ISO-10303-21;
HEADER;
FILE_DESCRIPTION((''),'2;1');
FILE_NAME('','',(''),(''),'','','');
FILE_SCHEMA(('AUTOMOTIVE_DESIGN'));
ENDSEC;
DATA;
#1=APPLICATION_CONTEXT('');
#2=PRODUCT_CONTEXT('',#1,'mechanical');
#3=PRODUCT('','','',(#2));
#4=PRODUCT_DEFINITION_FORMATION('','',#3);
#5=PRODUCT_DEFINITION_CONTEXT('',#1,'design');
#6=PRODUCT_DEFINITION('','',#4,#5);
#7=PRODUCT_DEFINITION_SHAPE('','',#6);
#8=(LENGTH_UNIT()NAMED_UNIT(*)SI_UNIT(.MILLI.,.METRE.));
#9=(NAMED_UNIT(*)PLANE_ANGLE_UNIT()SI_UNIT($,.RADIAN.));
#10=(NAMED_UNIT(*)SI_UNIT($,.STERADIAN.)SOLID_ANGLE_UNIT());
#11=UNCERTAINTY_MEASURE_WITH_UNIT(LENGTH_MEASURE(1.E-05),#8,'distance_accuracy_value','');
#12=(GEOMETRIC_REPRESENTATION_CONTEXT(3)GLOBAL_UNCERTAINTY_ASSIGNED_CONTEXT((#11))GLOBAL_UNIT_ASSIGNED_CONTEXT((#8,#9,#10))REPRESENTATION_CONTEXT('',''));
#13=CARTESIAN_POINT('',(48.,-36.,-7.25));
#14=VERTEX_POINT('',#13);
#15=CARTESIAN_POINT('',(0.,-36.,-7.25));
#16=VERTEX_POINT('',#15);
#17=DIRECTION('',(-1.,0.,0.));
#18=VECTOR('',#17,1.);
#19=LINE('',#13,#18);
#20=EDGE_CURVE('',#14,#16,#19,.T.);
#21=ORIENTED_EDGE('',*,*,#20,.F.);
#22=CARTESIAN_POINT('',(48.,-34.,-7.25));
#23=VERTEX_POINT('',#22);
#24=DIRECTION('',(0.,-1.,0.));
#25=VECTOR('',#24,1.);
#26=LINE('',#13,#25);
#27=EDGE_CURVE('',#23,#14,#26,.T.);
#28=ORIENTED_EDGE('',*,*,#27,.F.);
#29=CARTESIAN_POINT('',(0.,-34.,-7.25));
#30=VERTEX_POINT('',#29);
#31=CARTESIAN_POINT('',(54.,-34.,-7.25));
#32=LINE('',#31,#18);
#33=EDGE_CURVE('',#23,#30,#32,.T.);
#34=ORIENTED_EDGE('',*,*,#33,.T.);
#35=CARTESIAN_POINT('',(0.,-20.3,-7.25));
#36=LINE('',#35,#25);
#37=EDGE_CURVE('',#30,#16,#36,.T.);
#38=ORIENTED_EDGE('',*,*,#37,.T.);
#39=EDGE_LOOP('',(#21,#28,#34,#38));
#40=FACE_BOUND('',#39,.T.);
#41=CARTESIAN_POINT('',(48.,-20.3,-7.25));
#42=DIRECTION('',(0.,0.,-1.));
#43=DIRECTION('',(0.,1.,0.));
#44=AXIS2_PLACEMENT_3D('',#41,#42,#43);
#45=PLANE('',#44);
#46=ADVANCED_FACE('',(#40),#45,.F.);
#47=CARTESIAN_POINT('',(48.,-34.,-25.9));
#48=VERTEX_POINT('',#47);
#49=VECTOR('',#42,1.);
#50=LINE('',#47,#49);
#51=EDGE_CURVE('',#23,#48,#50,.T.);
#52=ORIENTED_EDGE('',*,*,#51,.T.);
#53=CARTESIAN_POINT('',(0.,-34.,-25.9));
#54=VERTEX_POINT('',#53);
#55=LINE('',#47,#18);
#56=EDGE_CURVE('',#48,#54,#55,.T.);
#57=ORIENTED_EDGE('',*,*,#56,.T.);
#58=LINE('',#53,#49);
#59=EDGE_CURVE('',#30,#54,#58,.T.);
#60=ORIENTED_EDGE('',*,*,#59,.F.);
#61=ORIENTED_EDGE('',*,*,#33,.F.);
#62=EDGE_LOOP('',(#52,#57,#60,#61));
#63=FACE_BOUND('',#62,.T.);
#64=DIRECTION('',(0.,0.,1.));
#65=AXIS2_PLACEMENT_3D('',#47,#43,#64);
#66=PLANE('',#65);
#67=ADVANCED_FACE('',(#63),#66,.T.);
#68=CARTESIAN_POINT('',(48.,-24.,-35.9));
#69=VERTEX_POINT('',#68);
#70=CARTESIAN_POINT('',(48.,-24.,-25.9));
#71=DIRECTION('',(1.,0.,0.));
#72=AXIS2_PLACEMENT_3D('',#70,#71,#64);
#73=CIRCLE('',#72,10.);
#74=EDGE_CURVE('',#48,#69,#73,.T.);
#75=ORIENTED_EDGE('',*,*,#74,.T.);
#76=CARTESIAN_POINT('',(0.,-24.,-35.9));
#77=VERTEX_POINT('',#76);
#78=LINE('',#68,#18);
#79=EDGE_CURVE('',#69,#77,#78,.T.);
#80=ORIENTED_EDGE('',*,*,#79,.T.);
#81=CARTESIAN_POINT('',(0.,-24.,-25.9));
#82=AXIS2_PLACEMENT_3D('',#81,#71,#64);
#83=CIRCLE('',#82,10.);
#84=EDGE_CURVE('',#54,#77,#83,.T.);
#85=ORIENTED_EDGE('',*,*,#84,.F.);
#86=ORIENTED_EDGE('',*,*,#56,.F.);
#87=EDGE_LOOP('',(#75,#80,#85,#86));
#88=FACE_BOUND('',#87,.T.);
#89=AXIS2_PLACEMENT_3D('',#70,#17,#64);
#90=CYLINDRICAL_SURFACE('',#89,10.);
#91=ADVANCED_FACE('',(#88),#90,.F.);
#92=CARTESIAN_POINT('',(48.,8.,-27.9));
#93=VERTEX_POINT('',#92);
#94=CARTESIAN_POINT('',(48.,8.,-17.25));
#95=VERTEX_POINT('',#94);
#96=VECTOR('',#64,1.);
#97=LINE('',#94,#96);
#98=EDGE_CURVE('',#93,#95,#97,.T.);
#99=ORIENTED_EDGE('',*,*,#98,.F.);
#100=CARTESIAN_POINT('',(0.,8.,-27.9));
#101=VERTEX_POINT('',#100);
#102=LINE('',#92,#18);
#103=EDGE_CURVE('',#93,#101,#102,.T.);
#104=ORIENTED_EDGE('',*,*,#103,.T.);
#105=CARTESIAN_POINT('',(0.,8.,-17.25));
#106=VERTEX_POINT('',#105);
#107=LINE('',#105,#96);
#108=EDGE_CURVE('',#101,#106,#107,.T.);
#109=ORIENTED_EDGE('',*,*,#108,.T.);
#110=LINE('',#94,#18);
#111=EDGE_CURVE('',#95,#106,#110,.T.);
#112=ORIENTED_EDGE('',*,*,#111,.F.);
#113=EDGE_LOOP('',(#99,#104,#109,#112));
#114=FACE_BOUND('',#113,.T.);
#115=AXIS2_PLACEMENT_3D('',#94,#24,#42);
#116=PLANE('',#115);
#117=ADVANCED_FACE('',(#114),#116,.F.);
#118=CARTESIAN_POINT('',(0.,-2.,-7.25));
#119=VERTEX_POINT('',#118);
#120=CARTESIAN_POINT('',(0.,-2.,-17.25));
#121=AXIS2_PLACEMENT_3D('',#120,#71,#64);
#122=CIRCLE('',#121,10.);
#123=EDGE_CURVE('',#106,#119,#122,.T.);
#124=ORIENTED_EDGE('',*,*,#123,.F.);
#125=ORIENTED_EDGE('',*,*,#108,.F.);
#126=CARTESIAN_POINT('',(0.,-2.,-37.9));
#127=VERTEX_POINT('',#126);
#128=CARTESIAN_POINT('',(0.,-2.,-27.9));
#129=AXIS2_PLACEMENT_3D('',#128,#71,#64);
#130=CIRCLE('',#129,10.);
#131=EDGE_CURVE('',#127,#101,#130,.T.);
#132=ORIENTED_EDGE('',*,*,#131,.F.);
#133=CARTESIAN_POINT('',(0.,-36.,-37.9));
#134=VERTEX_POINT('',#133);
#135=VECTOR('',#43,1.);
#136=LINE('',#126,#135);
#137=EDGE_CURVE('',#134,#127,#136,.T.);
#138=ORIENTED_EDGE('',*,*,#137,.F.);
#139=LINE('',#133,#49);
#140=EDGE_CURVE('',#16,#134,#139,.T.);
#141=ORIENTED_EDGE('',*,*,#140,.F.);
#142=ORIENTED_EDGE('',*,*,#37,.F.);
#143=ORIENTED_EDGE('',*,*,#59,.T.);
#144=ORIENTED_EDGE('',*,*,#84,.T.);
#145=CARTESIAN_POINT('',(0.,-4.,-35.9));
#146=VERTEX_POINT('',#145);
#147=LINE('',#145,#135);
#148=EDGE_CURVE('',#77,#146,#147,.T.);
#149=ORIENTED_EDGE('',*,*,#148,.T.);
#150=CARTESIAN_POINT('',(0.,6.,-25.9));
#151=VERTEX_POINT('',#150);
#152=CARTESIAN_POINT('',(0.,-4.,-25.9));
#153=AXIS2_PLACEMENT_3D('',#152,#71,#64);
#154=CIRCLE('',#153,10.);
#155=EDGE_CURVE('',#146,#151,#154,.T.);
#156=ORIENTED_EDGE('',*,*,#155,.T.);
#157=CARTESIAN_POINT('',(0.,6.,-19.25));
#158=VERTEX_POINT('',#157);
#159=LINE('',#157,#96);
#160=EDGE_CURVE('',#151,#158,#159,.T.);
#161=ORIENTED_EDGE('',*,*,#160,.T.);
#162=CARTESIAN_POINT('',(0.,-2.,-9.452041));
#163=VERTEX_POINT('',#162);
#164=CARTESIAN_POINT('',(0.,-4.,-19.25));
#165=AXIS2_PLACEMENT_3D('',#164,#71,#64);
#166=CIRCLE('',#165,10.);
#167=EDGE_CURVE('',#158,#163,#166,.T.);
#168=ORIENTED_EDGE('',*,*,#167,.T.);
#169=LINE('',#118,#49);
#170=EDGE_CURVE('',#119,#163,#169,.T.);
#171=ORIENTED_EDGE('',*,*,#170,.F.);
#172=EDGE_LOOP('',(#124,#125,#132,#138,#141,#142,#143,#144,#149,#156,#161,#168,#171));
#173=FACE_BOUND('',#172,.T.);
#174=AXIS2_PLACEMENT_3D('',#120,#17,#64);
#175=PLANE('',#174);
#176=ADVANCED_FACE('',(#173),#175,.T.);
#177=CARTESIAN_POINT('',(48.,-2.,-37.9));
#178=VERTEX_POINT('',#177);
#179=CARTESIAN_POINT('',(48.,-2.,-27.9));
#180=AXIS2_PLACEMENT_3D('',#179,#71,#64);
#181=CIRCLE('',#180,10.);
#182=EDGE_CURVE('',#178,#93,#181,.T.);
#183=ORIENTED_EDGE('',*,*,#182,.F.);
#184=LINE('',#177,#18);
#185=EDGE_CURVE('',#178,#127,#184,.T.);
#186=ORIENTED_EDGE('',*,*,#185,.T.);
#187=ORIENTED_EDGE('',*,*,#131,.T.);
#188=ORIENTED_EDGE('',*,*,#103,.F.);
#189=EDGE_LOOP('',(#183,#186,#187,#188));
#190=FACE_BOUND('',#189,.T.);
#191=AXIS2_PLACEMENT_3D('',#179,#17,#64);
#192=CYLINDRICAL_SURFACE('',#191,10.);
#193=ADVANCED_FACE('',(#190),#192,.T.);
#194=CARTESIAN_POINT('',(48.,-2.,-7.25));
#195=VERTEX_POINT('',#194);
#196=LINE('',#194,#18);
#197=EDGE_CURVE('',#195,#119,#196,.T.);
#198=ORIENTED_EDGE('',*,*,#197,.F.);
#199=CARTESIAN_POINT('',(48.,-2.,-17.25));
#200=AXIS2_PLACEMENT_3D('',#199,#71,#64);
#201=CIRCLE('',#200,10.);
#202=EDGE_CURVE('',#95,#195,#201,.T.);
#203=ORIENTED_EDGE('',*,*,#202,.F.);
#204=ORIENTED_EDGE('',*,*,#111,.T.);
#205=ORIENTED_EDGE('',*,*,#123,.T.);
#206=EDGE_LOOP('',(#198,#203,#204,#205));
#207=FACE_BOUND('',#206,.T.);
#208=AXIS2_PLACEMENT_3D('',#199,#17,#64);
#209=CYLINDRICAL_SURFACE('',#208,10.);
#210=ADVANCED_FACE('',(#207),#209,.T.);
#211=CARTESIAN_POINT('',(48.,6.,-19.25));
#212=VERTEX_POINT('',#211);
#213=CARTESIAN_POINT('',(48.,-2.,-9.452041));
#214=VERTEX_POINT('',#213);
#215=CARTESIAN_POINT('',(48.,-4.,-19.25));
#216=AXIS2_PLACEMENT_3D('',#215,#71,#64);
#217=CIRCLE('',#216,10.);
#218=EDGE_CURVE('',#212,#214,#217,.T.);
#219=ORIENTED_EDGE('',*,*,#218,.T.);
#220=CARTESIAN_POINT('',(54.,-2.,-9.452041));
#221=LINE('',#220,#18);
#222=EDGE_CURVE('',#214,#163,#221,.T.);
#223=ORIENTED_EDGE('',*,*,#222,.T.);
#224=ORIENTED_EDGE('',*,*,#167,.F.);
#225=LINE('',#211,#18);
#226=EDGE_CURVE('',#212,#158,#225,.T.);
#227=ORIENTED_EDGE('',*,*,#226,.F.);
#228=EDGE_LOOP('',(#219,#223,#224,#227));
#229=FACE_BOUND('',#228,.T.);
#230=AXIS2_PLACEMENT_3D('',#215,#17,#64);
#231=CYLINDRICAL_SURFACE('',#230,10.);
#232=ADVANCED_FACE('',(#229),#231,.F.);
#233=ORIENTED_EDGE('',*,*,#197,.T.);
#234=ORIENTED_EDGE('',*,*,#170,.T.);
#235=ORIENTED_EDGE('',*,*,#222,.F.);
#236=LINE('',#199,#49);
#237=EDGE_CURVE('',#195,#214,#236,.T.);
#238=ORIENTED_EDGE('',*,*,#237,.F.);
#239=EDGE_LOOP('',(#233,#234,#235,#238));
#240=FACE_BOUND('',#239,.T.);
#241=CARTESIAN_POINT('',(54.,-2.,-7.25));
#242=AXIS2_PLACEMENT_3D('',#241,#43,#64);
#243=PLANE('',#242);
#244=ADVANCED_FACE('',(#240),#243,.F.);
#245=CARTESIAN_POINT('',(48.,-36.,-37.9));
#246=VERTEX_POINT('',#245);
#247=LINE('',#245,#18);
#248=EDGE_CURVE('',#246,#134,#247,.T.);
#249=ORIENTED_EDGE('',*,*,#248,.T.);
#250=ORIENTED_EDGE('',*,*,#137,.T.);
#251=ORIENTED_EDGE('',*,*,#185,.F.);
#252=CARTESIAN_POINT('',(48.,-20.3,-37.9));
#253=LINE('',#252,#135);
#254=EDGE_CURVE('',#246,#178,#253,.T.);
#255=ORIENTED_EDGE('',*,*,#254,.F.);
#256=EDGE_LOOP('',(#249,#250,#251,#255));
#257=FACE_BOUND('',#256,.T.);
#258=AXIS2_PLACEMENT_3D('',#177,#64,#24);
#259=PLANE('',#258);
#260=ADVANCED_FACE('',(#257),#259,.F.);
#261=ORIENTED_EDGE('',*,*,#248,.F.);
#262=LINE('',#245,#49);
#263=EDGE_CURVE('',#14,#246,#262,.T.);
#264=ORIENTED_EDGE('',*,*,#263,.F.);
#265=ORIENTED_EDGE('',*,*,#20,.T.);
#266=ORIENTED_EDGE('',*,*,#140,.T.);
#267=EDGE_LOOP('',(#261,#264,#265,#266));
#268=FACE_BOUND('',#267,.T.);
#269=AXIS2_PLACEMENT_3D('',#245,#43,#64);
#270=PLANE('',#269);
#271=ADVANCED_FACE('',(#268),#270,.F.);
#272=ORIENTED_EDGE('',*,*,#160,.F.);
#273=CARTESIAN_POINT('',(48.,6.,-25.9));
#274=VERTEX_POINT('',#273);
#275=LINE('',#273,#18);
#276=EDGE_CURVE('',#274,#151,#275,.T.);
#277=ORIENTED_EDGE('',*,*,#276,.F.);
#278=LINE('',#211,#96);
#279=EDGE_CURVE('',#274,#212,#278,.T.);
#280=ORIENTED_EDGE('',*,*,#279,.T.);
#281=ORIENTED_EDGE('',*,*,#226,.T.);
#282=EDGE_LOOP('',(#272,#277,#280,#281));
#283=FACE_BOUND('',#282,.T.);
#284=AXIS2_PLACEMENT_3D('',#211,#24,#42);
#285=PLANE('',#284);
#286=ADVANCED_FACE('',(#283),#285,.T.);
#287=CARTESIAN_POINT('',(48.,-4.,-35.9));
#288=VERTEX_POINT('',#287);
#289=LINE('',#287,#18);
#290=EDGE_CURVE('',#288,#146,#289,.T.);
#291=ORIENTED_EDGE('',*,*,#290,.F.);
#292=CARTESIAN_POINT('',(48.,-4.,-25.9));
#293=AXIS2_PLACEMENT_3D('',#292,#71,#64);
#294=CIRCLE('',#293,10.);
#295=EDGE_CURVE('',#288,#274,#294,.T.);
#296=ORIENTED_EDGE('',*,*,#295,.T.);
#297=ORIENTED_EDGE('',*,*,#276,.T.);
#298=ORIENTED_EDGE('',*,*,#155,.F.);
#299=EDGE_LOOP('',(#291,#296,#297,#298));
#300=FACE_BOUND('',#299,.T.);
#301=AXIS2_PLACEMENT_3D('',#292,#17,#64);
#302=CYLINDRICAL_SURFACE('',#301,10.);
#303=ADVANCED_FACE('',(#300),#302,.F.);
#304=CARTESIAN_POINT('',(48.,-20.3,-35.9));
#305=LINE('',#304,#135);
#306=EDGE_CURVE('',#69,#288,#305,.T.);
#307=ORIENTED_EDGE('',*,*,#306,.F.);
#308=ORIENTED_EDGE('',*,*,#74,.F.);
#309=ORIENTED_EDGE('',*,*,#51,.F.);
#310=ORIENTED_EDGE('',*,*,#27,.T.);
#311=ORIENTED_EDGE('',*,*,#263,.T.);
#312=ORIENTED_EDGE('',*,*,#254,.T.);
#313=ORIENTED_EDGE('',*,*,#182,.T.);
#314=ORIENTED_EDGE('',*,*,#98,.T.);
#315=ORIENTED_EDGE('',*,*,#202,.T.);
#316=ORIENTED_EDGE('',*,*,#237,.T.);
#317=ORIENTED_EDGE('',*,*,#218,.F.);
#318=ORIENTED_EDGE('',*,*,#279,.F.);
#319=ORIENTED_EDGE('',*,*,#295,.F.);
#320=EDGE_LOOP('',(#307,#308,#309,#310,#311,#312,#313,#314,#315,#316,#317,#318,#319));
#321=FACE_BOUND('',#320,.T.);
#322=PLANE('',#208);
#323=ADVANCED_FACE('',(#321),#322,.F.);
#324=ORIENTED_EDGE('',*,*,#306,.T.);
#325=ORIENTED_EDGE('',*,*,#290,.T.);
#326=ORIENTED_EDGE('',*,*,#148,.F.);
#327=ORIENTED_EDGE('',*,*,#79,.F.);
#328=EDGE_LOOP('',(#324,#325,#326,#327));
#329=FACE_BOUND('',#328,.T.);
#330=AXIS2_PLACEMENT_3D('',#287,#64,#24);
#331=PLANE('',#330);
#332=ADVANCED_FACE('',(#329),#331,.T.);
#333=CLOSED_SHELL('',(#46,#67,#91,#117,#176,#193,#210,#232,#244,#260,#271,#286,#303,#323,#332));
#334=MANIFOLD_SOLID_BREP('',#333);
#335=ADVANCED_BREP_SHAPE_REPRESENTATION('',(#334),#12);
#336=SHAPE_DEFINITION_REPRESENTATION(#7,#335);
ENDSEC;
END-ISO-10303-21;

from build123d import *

# Parameters (mm, degrees)
BOSS_EXTRUDE3_DEPTH = 48
CUT_EXTRUDE2_DEPTH  = 54


with BuildPart() as part:
    # Sketch3 → Boss-Extrude3 (new body)
    with BuildSketch(Plane(origin=(0, 0, 0), x_dir=(0, 0, -1), z_dir=(1, 0, 0))):
        with BuildLine():
            Line((7.25, -20.3), (7.25, -11.034312351))
            Line((7.25, -11.034312351), (7.25, -2))
            ThreePointArc((7.25, -2), (10.178932188, 5.071067812), (17.25, 8))
            Line((17.25, 8), (27.9, 8))
            ThreePointArc((27.9, 8), (34.971067812, 5.071067812), (37.9, -2))
            Line((37.9, -2), (37.9, -20.3))
            Line((37.9, -20.3), (37.9, -36))
            Line((37.9, -36), (7.25, -36))
            Line((7.25, -36), (7.25, -20.3))
        make_face()
        with BuildLine():
            Line((9.25, -20.3), (9.25, -11.034312351))
            Line((9.25, -11.034312351), (9.25, -4))
            ThreePointArc((9.25, -4), (12.178932188, 3.071067812), (19.25, 6))
            Line((19.25, 6), (25.9, 6))
            ThreePointArc((25.9, 6), (32.971067812, 3.071067812), (35.9, -4))
            Line((35.9, -4), (35.9, -20.3))
            Line((35.9, -20.3), (35.9, -24))
            ThreePointArc((35.9, -24), (32.971067812, -31.071067812), (25.9, -34))
            Line((25.9, -34), (9.25, -34))
            Line((9.25, -34), (9.25, -20.3))
        make_face(mode=Mode.SUBTRACT)
    extrude(amount=BOSS_EXTRUDE3_DEPTH)

    # Sketch4 → Cut-Extrude2 (cut)
    with BuildSketch(Plane.ZY):
        Polygon((-9.25, -34), (-7.25, -34), (-7.25, -2), (-9.452041029, -2), align=None)
    extrude(amount=-CUT_EXTRUDE2_DEPTH, mode=Mode.SUBTRACT)


solid = part.part
